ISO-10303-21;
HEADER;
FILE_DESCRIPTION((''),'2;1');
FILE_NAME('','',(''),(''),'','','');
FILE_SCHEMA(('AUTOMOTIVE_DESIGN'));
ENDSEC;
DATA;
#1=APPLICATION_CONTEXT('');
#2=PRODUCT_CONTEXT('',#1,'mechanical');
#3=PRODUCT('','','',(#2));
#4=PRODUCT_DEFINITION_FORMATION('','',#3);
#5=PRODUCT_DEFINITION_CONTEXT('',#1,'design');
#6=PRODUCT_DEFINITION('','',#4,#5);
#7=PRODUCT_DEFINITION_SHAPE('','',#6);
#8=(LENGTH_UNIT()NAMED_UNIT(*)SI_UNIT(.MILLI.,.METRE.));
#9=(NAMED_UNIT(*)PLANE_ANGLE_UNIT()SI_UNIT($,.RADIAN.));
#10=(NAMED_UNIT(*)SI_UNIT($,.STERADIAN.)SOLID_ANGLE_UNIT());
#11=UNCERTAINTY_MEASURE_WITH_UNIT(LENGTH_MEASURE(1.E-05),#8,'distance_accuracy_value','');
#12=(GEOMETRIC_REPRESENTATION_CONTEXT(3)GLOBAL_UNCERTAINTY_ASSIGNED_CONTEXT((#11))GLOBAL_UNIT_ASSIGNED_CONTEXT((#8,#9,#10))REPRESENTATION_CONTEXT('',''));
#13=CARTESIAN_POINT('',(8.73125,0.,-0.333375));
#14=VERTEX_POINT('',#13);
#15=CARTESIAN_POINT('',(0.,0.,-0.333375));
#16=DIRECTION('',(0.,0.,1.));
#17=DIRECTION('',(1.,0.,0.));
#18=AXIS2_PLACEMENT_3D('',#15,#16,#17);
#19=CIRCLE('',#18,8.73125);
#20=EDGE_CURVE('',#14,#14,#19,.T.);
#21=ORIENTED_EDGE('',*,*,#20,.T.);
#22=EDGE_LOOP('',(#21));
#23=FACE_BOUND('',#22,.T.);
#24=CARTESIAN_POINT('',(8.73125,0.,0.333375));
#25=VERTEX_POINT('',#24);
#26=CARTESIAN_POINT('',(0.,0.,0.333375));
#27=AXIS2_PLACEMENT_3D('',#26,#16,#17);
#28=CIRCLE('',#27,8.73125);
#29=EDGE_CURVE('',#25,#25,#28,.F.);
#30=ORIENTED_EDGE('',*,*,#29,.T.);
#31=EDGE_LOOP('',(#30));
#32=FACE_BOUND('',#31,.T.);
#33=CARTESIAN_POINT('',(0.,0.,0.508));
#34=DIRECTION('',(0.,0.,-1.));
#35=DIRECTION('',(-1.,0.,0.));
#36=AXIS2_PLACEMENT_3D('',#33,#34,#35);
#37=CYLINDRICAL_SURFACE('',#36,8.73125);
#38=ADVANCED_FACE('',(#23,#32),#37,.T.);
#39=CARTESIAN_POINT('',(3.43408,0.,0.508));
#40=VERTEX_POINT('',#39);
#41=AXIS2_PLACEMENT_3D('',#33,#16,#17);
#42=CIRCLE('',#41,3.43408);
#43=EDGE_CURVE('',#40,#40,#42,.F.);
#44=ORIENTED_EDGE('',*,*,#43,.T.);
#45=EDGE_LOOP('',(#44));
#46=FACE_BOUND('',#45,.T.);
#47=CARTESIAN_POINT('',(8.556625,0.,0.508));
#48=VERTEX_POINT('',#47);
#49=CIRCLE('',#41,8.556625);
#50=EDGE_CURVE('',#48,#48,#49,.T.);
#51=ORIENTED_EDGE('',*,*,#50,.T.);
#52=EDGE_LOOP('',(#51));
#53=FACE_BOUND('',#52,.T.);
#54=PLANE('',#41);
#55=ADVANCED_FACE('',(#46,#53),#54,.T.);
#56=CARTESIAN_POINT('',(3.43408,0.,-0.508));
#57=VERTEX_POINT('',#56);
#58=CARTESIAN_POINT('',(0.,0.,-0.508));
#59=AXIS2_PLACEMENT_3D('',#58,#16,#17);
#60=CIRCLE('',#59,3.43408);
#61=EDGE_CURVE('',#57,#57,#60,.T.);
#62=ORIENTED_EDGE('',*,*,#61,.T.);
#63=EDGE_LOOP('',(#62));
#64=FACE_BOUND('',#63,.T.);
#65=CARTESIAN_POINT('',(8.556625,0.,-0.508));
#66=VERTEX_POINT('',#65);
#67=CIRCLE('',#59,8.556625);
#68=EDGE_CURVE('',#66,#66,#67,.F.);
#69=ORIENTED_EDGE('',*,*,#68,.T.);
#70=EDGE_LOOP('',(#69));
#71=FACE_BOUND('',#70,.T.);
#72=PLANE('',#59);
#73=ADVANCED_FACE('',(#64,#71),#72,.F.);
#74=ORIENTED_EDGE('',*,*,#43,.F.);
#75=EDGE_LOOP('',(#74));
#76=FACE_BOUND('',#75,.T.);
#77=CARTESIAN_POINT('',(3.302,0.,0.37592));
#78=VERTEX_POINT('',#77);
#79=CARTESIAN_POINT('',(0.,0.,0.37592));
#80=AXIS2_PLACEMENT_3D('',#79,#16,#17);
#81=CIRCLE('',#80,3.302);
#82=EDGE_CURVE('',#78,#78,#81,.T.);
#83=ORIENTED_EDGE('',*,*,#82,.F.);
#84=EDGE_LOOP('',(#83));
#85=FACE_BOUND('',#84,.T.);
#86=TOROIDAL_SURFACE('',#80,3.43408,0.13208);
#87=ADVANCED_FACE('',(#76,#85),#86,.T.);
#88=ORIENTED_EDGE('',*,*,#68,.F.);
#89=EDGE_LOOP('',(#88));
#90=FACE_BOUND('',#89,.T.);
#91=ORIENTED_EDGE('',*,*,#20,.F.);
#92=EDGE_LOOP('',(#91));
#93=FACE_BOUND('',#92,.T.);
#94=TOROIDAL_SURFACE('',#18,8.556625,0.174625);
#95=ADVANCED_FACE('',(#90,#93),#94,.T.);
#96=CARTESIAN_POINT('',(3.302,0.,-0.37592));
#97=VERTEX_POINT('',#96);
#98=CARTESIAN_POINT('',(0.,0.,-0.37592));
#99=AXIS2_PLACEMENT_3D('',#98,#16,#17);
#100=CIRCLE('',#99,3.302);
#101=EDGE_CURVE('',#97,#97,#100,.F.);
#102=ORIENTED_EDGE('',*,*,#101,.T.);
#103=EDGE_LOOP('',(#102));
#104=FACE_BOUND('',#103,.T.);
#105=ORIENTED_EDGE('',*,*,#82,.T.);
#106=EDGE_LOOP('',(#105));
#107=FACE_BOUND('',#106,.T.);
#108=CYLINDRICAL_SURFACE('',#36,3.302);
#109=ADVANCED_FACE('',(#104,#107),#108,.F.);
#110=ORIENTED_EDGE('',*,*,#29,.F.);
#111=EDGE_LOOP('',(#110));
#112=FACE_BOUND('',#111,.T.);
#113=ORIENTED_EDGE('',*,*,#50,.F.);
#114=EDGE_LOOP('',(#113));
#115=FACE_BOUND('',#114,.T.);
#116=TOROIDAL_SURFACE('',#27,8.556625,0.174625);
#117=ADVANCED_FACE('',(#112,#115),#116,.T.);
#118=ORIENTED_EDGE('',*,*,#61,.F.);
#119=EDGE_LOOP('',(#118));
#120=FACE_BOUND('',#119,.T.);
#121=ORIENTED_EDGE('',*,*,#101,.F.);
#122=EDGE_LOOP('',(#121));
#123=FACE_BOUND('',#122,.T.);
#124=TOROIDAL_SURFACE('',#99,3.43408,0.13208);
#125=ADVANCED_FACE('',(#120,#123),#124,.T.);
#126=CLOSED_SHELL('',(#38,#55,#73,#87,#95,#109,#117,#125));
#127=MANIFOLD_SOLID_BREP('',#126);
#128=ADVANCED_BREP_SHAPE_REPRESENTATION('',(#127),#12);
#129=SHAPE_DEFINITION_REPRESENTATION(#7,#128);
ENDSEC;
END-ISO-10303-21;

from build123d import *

# Parameters (mm, degrees)
BOSS_EXTRUDE1_DEPTH      = 0.508
BOSS_EXTRUDE1_DEPTH_BACK = 0.508
SKETCH3_R                = 8.73125
SKETCH3_R_2              = 3.302
FILLET1_R                = 0.13208
FILLET2_R                = 0.174625


with BuildPart() as part:
    # Sketch3 → Boss-Extrude1 (new, two sides: drawn at the far end of the back side and taken through both)
    with BuildSketch(Plane.XY.offset(-BOSS_EXTRUDE1_DEPTH_BACK)):
        Circle(SKETCH3_R)
        Circle(SKETCH3_R_2, mode=Mode.SUBTRACT)
    extrude(amount=BOSS_EXTRUDE1_DEPTH + BOSS_EXTRUDE1_DEPTH_BACK)

    # Fillet1
    fillet1_edges = [part.edges().sort_by_distance(p)[0] for p in [
        (-3.302, 0, 0.508),
        (-3.302, 0, -0.508),
    ]]
    fillet(fillet1_edges, radius=FILLET1_R)

    # Fillet2
    fillet2_edges = [part.edges().sort_by_distance(p)[0] for p in [
        (-8.73125, 0, 0.508),
        (-8.73125, 0, -0.508),
    ]]
    fillet(fillet2_edges, radius=FILLET2_R)


solid = part.part
